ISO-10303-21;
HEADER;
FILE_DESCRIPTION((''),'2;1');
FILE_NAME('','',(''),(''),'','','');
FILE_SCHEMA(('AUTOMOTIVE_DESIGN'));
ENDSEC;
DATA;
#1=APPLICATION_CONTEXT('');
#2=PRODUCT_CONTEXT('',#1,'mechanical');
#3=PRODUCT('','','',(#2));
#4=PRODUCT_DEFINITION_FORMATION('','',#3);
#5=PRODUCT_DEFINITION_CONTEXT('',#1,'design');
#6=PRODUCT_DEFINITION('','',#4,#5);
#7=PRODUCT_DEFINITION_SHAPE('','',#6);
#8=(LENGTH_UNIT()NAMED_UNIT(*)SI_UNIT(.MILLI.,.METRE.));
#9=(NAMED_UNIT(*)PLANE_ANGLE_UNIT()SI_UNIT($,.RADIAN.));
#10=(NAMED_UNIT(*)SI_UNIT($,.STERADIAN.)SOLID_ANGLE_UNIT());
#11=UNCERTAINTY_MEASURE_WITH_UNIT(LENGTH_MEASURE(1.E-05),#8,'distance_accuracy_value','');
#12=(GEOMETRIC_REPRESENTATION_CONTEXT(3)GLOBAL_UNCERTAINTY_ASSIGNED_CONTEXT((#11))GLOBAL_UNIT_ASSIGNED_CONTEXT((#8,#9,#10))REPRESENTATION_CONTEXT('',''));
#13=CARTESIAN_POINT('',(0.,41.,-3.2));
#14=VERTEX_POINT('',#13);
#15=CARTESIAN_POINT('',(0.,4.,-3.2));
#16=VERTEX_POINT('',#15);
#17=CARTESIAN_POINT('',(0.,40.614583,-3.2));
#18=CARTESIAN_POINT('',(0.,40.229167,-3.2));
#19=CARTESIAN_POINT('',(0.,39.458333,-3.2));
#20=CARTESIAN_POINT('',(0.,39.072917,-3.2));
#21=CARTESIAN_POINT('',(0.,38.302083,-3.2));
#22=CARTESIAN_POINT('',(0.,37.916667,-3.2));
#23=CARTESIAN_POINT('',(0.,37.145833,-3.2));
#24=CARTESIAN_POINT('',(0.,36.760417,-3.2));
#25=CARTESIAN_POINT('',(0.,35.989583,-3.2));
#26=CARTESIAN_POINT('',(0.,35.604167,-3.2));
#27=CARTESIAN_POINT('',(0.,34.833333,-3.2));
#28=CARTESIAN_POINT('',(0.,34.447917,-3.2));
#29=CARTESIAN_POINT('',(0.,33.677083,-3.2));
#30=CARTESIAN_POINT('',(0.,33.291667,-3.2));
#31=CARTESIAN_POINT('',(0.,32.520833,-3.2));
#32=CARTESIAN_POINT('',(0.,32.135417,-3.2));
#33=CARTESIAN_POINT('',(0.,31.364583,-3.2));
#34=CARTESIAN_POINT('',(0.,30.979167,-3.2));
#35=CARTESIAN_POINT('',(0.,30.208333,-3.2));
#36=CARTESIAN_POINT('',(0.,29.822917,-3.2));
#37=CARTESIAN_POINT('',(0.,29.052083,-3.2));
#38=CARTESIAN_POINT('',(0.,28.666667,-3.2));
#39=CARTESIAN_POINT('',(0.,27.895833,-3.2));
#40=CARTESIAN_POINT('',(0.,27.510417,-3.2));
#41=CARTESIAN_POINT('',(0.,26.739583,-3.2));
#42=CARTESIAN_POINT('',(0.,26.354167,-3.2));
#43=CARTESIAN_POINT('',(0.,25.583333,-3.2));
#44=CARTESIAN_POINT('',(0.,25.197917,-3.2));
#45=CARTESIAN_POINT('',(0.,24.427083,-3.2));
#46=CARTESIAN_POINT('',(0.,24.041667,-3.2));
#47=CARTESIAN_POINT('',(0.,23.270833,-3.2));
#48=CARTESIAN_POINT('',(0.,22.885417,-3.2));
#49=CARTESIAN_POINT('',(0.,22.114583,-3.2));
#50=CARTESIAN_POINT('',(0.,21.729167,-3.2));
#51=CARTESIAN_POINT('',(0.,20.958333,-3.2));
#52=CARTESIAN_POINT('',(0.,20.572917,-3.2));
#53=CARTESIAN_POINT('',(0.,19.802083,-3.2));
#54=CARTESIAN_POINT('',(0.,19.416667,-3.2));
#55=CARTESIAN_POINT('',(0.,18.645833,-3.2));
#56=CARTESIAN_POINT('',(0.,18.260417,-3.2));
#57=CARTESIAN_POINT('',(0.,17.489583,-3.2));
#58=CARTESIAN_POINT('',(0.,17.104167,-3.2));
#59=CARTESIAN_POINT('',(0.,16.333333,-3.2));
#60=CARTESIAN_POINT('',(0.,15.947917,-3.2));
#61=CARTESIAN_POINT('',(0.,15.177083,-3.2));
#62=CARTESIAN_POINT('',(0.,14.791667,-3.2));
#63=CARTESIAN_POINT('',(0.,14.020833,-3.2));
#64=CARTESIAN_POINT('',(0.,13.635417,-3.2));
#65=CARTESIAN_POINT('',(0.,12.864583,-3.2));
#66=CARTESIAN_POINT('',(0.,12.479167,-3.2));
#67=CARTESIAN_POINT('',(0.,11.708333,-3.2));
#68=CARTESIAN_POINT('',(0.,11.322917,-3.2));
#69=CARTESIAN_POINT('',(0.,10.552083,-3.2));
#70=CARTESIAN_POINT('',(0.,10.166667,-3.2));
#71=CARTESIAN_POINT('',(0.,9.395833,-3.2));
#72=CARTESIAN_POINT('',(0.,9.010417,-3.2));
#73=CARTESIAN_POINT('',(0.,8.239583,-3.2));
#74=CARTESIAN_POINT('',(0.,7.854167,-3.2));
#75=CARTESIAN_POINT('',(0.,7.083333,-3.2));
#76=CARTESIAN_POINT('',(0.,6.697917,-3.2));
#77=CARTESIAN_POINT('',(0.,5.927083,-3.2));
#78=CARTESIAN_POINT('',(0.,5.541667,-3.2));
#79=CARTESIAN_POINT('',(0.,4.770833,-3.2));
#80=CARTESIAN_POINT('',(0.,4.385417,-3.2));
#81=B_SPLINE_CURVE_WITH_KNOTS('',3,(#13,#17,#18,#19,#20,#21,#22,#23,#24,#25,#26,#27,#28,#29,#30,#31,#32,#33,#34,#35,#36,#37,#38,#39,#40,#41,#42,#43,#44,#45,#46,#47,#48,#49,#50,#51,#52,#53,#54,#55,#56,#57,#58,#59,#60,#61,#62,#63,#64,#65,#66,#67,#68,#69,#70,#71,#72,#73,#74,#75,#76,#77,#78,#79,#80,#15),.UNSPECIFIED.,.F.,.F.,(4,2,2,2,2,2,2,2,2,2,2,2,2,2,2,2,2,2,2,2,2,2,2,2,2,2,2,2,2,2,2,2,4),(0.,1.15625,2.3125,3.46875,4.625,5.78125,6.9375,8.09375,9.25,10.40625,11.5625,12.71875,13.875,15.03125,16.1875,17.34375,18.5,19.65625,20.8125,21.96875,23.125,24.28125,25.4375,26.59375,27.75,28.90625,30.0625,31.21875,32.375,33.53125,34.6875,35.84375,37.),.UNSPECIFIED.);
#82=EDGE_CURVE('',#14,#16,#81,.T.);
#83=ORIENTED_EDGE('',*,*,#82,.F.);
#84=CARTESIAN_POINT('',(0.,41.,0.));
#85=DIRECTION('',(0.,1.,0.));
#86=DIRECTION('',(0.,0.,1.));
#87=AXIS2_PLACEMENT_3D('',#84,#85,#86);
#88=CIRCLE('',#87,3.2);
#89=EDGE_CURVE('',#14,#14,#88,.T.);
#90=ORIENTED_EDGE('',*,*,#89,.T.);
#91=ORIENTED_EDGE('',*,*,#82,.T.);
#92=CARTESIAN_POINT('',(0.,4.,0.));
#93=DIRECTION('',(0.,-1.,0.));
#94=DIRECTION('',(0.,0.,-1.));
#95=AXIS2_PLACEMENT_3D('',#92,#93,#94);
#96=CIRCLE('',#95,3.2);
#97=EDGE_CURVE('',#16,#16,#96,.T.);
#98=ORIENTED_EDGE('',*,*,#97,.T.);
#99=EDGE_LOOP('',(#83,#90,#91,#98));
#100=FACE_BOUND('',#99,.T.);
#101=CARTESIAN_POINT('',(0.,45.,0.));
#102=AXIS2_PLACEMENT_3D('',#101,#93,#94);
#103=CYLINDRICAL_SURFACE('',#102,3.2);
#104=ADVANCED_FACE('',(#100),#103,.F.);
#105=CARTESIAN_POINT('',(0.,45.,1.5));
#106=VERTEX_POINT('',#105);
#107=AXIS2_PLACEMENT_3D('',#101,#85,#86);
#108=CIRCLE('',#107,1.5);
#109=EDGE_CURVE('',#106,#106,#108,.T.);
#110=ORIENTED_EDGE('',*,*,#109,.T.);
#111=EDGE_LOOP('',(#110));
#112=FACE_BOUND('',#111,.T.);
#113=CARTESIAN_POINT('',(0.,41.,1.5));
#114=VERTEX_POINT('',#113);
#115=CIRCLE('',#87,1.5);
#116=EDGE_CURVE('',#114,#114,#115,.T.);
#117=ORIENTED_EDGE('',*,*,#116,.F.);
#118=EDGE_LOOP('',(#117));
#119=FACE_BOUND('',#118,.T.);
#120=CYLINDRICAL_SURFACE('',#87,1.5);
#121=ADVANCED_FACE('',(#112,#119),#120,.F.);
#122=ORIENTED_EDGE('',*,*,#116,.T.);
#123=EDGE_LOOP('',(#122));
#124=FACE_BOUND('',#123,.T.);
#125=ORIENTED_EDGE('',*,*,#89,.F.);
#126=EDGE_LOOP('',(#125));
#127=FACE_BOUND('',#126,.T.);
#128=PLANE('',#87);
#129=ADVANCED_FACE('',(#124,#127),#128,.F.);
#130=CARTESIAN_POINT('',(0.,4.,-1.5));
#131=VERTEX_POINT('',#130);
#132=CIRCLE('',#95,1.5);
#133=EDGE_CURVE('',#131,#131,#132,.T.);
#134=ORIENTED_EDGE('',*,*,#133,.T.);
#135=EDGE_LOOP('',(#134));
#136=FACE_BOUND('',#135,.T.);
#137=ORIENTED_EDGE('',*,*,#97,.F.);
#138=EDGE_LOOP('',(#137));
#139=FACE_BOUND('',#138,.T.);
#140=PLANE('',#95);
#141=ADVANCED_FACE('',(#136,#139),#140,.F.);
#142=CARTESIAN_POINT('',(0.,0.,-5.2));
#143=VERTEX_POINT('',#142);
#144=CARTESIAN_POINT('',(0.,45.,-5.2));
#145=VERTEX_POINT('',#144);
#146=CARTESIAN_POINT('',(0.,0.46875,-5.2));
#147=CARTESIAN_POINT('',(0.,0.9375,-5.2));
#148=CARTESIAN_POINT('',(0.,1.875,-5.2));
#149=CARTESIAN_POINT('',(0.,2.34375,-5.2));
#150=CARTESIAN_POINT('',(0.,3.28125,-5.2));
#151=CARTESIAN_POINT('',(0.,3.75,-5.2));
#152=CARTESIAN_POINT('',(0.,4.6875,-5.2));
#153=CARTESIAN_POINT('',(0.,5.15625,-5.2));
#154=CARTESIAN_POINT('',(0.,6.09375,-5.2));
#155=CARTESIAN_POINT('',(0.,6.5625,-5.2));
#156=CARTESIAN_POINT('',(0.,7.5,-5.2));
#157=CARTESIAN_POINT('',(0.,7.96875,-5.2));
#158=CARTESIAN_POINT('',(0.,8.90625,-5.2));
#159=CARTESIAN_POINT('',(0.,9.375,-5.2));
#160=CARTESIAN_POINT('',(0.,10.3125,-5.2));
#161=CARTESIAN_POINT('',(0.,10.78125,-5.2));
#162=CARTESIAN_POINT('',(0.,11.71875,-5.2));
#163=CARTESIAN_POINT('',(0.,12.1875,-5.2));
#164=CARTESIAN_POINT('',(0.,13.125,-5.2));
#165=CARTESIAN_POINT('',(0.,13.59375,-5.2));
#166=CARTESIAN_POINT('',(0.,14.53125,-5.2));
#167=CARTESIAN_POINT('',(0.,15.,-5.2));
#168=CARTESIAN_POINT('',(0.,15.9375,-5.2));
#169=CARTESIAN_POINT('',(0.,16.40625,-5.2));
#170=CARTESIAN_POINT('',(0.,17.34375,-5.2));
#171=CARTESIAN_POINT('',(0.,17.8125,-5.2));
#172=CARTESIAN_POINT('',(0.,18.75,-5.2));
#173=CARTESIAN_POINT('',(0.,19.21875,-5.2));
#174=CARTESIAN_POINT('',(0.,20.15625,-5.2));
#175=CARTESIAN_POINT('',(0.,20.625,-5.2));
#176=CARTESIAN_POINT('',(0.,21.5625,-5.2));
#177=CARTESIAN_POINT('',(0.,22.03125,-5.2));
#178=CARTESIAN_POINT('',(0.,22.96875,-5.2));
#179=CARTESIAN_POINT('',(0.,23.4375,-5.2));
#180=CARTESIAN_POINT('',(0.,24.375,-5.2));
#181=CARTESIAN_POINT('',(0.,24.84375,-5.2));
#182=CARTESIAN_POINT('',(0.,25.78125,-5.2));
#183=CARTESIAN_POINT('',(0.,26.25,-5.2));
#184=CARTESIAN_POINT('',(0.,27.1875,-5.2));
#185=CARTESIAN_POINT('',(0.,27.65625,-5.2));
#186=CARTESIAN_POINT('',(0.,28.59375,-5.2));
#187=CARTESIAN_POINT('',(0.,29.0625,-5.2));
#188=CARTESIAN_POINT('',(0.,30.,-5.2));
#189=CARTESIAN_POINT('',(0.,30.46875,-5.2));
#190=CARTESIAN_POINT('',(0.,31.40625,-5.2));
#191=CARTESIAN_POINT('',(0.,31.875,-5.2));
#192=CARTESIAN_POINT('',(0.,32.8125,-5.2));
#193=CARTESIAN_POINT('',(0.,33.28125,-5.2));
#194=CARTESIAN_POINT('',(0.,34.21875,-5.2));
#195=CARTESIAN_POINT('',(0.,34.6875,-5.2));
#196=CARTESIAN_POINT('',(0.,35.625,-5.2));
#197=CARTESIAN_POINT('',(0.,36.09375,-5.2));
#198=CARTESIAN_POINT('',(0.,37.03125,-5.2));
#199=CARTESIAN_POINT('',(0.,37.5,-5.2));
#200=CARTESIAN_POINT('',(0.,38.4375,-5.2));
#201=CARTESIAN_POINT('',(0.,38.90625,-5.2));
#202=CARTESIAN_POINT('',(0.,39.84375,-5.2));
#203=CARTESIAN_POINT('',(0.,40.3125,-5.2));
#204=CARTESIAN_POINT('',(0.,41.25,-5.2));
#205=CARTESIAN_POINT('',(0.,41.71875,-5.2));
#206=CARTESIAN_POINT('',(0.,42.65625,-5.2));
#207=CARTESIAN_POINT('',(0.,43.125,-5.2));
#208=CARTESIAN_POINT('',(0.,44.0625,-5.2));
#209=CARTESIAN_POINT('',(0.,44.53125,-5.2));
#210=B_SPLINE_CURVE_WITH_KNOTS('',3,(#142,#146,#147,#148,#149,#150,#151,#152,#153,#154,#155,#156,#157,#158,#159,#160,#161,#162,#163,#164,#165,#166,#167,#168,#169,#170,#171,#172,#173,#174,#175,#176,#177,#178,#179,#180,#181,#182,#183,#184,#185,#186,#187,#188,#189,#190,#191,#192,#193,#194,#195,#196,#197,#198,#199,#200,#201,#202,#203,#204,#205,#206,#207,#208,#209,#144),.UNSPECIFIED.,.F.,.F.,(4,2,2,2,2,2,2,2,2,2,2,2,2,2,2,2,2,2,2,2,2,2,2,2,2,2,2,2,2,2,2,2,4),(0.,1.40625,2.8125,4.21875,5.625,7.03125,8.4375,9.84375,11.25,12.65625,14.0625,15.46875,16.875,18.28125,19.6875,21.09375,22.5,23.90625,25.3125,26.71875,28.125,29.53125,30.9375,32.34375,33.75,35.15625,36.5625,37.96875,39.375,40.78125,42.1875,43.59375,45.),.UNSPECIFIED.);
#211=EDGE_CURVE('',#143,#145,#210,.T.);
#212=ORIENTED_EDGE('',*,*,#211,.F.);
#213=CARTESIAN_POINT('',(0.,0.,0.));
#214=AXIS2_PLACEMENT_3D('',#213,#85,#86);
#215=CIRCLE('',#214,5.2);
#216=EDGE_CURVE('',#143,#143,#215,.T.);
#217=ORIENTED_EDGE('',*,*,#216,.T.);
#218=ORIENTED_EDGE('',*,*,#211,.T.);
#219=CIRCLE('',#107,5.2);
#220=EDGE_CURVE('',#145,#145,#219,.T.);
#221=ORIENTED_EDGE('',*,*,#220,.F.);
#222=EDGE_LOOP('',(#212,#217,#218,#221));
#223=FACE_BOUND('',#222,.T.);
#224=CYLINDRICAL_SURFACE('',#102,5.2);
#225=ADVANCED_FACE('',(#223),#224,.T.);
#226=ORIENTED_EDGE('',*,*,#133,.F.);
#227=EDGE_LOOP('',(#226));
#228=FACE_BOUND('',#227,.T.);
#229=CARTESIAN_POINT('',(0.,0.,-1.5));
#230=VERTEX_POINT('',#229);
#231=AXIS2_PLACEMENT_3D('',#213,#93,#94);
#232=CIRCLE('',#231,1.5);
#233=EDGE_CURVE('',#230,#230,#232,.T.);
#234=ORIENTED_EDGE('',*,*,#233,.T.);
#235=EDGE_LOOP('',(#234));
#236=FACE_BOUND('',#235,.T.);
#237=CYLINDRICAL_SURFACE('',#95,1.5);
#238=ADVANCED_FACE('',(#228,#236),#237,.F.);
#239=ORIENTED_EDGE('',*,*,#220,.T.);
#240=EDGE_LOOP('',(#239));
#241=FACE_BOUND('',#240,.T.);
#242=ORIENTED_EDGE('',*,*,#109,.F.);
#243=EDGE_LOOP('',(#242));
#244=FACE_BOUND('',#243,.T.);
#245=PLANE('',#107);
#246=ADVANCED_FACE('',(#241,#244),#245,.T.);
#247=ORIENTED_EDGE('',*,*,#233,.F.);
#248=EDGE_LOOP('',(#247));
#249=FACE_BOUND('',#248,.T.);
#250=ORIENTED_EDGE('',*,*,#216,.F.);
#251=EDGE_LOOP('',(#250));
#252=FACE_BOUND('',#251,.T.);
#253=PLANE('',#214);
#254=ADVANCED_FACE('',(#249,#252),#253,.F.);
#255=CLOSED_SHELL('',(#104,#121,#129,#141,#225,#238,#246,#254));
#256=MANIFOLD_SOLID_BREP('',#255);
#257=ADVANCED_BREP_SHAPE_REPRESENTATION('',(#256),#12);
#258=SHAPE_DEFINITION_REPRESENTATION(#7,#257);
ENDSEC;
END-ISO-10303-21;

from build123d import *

# Parameters (mm, degrees)
SKETCH_1_R      = 5.2
SKETCH_1_R_2    = 3.2
EXTRUDE_1_DEPTH = 45
EXTRUDE_START   = -4
SKETCH_2_R      = 5.2
SKETCH_2_R_2    = 1.5
EXTRUDE_2_DEPTH = 4
SKETCH_3_R      = 5.2
SKETCH_3_R_2    = 1.5
EXTRUDE_3_DEPTH = 4


with BuildPart() as part:
    # Эскиз1 → Бобышка-Вытянуть1 (new body)
    with BuildSketch(Plane(origin=(0, 0, 0), x_dir=(1, 0, 0), z_dir=(0, 1, 0))):
        with Locations(Location((0, 0, 0), (0, 0, 90))):
            Circle(SKETCH_1_R)
        with Locations(Location((0, 0, 0), (0, 0, 90))):
            Circle(SKETCH_1_R_2, mode=Mode.SUBTRACT)
    extrude(amount=EXTRUDE_1_DEPTH)

    # Эскиз2 → Бобышка-Вытянуть2 (add)
    with BuildSketch(Plane(origin=(0, 45, 0), x_dir=(1, 0, 0), z_dir=(0, 1, 0)).offset(EXTRUDE_START)):
        with Locations(Location((0, 0, 0), (0, 0, 90))):
            Circle(SKETCH_2_R)
        with Locations(Location((0, 0, 0), (0, 0, 270))):
            Circle(SKETCH_2_R_2, mode=Mode.SUBTRACT)
    extrude(amount=EXTRUDE_2_DEPTH)

    # Эскиз3 → Бобышка-Вытянуть3 (add)
    with BuildSketch(Plane.XZ):
        with Locations(Location((0, 0, 0), (0, 0, 270))):
            Circle(SKETCH_3_R)
        with Locations(Location((0, 0, 0), (0, 0, 90))):
            Circle(SKETCH_3_R_2, mode=Mode.SUBTRACT)
    extrude(amount=-EXTRUDE_3_DEPTH)


solid = part.part
